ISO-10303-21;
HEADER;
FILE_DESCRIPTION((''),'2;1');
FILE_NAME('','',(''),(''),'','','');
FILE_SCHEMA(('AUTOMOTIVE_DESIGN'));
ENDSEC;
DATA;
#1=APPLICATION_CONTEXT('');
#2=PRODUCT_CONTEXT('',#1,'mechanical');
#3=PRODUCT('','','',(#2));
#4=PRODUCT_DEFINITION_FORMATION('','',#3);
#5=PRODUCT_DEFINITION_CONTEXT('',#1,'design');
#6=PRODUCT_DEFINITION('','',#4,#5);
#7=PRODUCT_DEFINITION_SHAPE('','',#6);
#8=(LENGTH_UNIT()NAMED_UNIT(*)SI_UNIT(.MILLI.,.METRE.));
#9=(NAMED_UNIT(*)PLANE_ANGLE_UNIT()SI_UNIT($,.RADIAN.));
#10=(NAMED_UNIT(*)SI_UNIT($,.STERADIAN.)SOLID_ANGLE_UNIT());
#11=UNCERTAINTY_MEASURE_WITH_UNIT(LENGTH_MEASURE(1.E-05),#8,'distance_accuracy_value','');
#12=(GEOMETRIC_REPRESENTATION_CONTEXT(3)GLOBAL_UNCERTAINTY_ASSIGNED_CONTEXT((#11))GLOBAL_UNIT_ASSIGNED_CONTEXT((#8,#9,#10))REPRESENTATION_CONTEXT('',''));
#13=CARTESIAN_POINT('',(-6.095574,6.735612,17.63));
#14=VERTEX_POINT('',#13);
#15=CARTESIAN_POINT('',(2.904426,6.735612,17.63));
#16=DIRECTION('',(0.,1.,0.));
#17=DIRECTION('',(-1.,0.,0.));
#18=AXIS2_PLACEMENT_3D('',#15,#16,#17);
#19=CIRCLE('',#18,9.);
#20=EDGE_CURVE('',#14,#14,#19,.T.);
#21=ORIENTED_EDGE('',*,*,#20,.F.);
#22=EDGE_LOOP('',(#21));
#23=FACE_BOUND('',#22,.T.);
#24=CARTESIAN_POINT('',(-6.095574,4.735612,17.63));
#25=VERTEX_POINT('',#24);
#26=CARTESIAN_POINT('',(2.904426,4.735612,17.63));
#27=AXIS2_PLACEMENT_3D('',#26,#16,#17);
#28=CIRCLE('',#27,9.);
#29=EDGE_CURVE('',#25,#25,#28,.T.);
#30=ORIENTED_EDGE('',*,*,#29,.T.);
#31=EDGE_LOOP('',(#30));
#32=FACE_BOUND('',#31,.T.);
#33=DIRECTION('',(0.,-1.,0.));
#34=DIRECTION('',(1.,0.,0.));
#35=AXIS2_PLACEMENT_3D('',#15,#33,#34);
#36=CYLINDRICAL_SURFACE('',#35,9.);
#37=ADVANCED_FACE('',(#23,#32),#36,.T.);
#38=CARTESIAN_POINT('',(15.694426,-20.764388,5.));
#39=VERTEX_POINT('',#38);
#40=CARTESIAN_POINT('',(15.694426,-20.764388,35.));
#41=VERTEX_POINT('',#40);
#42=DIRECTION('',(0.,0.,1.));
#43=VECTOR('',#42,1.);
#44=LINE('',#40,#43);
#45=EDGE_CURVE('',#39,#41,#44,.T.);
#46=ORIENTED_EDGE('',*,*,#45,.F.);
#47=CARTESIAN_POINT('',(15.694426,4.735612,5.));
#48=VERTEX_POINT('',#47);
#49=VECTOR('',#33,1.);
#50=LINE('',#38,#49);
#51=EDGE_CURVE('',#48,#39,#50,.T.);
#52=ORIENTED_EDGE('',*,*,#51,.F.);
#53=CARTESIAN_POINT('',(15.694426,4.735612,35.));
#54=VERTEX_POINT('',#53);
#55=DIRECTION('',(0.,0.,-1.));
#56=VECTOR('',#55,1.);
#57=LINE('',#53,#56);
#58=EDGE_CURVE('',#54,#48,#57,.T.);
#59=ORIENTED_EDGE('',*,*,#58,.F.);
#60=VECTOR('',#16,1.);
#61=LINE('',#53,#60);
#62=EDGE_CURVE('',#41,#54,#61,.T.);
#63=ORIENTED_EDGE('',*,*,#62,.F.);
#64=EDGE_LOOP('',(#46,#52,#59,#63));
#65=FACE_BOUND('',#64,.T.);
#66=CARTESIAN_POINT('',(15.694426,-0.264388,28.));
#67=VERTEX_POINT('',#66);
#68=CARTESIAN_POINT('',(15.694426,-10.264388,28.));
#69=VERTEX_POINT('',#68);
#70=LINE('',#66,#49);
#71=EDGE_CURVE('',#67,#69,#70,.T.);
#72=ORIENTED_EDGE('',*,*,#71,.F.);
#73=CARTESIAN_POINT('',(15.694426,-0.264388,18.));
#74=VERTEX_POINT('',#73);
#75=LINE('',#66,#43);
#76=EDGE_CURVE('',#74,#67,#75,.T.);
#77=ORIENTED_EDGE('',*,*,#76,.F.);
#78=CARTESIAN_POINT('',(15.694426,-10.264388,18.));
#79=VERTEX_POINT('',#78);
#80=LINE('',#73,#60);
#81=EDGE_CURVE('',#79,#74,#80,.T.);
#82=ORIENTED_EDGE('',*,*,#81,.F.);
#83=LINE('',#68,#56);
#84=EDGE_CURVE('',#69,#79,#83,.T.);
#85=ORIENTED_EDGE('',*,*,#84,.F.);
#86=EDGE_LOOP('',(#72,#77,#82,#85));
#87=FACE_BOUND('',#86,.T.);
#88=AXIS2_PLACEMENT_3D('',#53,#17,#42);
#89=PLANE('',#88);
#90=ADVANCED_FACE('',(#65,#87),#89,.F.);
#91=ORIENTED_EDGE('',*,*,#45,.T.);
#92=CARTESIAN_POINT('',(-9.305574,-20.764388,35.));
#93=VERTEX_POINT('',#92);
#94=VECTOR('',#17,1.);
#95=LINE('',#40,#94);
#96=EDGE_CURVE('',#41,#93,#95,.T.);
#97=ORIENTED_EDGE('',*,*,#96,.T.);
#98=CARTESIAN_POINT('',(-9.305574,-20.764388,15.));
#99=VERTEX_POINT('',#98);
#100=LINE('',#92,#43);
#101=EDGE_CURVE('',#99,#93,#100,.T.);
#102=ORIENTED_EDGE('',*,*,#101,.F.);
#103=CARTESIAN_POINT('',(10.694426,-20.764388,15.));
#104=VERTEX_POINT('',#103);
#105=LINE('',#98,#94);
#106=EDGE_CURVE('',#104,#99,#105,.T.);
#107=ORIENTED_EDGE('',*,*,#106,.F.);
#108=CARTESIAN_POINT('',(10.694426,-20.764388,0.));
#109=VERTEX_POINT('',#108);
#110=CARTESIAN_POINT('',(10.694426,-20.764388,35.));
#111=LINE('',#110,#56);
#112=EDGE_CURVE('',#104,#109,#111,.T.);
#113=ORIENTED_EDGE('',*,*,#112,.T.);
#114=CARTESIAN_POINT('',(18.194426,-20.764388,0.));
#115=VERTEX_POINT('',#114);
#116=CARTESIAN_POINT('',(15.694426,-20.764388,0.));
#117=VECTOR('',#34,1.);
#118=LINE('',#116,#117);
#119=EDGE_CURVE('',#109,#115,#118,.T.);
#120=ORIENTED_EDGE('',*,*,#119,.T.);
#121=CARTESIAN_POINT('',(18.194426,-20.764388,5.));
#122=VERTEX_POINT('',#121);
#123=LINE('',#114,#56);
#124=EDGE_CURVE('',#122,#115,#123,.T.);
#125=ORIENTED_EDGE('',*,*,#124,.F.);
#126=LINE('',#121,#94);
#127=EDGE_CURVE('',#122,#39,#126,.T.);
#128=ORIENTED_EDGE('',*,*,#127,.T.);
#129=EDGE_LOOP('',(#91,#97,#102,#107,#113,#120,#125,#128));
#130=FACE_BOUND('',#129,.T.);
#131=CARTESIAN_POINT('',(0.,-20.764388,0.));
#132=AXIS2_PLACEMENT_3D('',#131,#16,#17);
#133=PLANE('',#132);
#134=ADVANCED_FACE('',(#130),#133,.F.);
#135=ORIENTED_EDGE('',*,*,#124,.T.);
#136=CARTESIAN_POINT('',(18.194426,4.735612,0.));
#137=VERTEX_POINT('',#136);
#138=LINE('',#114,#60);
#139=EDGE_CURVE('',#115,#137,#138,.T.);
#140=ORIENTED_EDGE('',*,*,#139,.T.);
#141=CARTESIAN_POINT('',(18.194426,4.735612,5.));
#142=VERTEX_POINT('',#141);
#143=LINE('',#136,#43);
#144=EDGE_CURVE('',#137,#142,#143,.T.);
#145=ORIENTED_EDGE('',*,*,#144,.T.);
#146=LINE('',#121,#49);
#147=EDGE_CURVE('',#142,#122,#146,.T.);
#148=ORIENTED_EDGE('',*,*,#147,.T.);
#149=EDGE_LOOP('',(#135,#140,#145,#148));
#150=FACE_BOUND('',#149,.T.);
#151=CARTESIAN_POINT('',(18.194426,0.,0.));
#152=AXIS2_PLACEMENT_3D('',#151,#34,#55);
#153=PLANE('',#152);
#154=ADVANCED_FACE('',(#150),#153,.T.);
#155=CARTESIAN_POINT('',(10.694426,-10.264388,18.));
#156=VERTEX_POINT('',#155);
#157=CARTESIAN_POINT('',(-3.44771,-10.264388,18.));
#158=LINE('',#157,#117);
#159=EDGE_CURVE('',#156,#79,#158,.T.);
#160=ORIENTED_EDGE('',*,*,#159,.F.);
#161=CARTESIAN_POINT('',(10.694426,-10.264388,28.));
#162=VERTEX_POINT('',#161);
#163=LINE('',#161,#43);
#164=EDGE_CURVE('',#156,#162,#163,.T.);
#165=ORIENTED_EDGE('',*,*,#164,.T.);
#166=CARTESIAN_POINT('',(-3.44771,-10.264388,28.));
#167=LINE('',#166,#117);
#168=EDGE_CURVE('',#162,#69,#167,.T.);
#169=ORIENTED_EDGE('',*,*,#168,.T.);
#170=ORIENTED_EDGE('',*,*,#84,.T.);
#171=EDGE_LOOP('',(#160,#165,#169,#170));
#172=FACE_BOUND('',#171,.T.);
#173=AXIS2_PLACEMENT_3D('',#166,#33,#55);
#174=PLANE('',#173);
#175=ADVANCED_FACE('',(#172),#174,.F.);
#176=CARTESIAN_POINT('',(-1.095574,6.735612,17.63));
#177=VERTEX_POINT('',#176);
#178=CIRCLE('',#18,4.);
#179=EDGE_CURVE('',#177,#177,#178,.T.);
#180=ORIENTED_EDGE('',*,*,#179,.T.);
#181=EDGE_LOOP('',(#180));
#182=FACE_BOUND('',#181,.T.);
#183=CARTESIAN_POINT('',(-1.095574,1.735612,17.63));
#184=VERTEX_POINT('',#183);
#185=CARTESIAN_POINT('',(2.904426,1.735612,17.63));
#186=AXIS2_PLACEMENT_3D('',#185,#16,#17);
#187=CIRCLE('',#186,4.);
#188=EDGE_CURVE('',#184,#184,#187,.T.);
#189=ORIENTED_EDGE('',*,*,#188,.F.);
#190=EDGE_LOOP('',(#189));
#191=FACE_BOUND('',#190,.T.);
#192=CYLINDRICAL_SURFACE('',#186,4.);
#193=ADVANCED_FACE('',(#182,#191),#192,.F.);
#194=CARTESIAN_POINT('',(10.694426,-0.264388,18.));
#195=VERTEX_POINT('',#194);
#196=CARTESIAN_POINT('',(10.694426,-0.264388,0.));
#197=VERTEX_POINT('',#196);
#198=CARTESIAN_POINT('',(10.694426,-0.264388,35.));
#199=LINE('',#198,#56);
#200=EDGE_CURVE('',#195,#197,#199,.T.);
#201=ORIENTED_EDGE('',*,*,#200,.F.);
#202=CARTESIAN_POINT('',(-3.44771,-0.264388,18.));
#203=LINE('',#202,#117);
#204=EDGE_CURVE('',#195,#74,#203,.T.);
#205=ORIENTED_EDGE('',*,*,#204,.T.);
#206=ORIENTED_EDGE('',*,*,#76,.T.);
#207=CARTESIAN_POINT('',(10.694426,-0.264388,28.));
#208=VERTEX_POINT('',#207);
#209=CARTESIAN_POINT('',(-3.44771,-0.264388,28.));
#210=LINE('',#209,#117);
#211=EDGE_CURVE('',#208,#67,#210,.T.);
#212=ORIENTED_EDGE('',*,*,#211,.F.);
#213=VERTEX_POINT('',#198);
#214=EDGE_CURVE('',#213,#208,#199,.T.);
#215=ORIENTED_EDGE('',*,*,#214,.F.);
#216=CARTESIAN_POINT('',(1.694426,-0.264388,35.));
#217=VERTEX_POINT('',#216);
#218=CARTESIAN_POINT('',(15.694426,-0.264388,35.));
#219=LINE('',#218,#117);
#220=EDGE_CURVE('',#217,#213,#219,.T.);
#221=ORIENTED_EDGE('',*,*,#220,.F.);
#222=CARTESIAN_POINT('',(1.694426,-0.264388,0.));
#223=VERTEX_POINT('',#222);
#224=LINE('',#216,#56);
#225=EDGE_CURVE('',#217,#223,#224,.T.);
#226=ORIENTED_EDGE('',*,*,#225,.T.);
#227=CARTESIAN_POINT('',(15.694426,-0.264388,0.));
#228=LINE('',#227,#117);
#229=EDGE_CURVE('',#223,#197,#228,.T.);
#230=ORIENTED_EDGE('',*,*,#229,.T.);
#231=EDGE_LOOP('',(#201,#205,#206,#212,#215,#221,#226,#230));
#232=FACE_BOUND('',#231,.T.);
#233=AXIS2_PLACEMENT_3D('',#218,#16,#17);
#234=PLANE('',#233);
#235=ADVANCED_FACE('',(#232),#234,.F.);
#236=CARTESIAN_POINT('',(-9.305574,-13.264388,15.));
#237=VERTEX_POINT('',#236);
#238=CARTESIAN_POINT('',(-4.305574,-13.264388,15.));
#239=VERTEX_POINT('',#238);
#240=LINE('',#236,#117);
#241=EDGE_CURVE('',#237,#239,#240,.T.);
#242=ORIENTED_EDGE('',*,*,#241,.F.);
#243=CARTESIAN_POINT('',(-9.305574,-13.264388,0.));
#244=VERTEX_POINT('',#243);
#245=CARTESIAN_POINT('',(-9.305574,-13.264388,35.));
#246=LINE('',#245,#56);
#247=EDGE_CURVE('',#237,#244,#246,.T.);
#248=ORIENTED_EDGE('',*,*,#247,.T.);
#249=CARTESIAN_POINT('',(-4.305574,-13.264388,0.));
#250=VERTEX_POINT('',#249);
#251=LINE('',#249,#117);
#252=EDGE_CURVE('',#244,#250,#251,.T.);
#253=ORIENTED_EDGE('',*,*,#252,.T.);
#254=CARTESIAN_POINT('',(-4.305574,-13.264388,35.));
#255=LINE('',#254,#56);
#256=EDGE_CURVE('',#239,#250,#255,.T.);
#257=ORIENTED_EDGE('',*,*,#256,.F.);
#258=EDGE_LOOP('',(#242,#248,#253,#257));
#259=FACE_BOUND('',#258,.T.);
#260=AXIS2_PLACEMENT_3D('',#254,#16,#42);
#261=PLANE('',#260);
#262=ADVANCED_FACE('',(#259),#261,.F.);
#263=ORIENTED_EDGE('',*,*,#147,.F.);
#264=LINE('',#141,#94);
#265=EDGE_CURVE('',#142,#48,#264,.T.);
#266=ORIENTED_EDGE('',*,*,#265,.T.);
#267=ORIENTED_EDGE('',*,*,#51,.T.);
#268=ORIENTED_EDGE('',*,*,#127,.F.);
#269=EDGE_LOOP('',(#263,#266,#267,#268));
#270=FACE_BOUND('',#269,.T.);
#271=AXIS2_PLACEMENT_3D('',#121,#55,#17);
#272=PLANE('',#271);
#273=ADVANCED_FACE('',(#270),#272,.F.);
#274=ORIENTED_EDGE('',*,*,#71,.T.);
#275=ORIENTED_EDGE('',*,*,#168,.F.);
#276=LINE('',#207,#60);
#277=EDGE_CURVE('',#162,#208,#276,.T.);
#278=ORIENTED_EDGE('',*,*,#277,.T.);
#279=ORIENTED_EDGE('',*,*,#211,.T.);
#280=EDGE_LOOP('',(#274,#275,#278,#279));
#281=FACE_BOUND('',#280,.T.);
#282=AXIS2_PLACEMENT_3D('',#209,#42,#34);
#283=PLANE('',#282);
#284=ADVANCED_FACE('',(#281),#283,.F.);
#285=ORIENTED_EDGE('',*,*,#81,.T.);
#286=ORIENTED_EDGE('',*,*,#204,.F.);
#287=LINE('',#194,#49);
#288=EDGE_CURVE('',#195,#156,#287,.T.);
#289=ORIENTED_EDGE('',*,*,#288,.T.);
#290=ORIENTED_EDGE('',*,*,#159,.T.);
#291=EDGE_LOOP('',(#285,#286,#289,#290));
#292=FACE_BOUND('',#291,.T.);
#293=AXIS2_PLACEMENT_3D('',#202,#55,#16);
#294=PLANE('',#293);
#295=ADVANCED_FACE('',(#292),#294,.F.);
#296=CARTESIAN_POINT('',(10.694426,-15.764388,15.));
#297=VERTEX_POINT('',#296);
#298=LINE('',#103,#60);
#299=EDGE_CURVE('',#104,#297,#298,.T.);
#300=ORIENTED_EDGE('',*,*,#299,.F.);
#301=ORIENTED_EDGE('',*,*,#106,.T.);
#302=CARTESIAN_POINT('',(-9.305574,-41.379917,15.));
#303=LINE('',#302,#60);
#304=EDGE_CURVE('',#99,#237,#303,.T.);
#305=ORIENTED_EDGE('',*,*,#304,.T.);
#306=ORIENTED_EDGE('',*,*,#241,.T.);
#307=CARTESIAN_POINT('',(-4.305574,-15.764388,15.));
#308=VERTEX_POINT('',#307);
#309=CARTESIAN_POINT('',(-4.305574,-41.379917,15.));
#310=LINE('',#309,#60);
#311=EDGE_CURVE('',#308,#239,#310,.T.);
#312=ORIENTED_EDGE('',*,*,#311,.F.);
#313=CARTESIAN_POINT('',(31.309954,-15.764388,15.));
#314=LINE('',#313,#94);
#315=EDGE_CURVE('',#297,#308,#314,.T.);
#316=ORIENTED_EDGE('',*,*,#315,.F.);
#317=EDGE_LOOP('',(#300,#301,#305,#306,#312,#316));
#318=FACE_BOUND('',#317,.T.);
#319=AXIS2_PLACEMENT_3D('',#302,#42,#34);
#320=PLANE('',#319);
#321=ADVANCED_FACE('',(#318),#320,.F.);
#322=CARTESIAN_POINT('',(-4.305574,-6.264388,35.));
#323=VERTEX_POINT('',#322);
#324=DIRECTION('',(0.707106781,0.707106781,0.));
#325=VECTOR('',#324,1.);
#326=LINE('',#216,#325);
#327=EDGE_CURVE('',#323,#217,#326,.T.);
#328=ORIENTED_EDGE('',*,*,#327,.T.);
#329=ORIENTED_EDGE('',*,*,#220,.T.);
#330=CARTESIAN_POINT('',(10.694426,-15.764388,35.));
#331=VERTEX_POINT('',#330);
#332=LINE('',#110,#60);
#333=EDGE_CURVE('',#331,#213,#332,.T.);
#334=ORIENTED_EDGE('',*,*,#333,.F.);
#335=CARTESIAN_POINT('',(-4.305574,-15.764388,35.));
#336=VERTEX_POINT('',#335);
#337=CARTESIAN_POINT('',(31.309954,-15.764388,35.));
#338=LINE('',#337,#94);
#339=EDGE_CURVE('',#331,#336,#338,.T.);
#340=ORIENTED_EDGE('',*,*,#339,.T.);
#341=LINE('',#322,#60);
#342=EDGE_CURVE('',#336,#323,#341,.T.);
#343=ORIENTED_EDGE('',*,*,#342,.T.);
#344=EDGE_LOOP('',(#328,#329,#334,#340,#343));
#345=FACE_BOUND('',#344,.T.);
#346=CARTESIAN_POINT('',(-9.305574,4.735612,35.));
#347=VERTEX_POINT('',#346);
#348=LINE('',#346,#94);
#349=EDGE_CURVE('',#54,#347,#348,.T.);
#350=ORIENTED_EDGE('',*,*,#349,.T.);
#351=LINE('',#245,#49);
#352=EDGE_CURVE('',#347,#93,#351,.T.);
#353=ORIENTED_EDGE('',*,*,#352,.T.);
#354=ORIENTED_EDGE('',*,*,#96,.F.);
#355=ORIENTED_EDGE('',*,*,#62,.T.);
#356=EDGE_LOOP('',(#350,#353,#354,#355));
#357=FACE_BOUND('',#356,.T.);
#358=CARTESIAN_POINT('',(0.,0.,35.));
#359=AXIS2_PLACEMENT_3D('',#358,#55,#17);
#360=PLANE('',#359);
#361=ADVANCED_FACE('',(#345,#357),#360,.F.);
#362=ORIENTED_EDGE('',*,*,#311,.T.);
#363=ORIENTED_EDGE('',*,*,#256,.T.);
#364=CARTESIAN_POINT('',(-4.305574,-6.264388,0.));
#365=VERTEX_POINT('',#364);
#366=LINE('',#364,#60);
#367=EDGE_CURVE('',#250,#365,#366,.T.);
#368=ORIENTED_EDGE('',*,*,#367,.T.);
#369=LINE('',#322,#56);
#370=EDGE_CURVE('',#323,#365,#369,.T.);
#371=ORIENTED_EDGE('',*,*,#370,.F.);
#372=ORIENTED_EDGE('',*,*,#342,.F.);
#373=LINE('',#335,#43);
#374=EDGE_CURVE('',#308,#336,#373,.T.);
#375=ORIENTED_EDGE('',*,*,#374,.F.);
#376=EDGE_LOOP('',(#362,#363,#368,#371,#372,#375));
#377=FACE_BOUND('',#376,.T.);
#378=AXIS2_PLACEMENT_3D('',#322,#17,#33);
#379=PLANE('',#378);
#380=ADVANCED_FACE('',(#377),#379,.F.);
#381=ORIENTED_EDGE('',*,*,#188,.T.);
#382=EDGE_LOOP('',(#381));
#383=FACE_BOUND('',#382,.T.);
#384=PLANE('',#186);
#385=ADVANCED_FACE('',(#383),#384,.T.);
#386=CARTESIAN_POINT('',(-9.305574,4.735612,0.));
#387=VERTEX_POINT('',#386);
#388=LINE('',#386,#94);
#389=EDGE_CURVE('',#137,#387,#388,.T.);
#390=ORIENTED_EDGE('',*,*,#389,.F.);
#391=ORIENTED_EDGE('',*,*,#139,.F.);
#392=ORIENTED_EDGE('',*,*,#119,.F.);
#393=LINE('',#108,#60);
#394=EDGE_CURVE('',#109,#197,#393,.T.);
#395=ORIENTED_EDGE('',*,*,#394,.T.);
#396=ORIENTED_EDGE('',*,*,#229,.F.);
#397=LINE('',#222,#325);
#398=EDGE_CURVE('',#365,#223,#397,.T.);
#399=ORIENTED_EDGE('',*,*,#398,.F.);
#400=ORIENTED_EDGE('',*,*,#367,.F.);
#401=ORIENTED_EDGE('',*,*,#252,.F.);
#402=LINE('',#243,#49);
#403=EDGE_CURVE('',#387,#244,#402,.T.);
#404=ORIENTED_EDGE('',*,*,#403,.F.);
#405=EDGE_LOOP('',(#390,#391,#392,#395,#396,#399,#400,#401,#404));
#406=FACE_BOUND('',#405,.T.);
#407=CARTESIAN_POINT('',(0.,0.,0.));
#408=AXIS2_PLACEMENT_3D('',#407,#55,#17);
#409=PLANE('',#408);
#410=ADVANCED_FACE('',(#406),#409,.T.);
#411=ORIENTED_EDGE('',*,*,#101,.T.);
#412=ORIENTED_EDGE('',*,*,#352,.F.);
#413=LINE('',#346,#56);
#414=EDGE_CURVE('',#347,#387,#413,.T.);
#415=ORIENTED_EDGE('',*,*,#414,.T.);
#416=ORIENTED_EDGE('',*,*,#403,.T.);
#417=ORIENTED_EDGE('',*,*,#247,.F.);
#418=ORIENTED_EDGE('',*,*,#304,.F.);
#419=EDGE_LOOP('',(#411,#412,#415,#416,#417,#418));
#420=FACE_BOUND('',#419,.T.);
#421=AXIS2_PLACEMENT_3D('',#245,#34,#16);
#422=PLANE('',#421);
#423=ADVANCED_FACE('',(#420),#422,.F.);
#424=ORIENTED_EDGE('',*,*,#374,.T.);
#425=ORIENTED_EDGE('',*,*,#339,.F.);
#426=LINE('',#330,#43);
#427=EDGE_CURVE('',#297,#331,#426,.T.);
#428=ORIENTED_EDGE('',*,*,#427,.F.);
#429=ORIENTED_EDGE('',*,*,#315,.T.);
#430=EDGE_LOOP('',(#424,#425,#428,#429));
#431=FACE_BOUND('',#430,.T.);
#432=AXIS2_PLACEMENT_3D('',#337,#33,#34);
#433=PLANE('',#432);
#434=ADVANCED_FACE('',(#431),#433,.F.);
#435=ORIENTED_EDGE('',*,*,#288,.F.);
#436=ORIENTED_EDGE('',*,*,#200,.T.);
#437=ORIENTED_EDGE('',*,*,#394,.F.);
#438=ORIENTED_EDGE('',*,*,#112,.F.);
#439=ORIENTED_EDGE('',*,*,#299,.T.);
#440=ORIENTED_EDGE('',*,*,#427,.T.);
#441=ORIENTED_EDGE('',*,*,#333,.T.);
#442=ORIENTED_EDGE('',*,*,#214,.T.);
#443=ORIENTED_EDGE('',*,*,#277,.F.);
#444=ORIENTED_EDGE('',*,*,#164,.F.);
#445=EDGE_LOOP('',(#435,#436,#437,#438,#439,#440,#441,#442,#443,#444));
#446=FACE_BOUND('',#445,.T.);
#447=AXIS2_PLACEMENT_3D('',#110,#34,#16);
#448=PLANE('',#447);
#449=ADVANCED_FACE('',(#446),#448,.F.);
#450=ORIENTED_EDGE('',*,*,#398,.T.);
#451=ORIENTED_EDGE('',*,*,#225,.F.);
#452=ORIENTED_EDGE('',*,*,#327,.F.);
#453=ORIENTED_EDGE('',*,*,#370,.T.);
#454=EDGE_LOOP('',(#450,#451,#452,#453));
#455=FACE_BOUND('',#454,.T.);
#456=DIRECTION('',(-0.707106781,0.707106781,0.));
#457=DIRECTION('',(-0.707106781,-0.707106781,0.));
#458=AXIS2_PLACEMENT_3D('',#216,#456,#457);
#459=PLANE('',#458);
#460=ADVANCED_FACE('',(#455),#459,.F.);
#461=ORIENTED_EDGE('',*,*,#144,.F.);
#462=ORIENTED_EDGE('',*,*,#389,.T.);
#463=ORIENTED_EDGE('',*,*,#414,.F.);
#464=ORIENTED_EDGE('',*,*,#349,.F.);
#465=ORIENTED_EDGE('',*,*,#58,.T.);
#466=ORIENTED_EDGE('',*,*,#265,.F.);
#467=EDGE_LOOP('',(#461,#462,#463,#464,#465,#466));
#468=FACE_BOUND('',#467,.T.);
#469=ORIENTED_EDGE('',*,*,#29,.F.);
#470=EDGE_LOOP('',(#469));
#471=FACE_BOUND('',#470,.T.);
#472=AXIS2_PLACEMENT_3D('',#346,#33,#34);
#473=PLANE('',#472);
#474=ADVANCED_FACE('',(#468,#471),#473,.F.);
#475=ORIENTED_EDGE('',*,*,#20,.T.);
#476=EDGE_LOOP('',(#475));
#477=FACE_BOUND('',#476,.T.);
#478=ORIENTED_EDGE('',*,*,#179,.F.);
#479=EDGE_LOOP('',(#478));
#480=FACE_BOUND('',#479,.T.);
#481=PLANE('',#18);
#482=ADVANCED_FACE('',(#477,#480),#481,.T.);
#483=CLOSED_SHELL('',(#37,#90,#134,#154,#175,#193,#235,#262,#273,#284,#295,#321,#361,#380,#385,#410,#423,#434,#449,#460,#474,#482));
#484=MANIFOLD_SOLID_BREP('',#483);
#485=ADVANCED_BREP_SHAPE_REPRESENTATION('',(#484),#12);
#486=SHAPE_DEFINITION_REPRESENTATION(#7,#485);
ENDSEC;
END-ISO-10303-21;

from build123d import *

# Parameters (mm, degrees)
BOSS_EXTRUDE1_DEPTH = 35
SKETCH2_R           = 9
BOSS_EXTRUDE2_DEPTH = 2
SKETCH3_R           = 4
CUT_EXTRUDE1_DEPTH  = 5
SKETCH4_W           = 5
SKETCH4_H           = 35
BOSS_EXTRUDE3_DEPTH = 20.5
SKETCH6_W           = 5
SKETCH6_H           = 25.5
BOSS_EXTRUDE4_DEPTH = 2.5
SKETCH7_W           = 5
SKETCH7_H           = 20
BOSS_EXTRUDE5_DEPTH = 7.5
SKETCH8_W           = 20
SKETCH8_H           = 5
BOSS_EXTRUDE6_DEPTH = 15
SKETCH10_W          = 10
SKETCH10_H          = 10
CUT_EXTRUDE2_DEPTH  = 5


with BuildPart() as part:
    # Sketch1 → Boss-Extrude1 (new body)
    with BuildSketch(Plane.XY):
        Polygon((-9.305574102, 4.73561153), (15.694425898, 4.73561153), (15.694425898, -0.26438847), (1.694425898, -0.26438847), (-4.305574102, -6.26438847), (-4.305574102, -13.26438847), (-9.305574102, -13.26438847), align=None)
    extrude(amount=BOSS_EXTRUDE1_DEPTH)

    # Sketch2 → Boss-Extrude2 (add)
    with BuildSketch(Plane(origin=(0, 4.73561153, 0), x_dir=(1, 0, 0), z_dir=(0, 1, 0))):
        with Locations((2.904425898, -17.63)):
            Circle(SKETCH2_R)
    extrude(amount=BOSS_EXTRUDE2_DEPTH)

    # Sketch3 → Cut-Extrude1 (cut)
    with BuildSketch(Plane(origin=(0, 6.73561153, 0), x_dir=(1, 0, 0), z_dir=(0, 1, 0))):
        with Locations((2.904425898, -17.63)):
            Circle(SKETCH3_R)
    extrude(amount=-CUT_EXTRUDE1_DEPTH, mode=Mode.SUBTRACT)

    # Sketch4 → Boss-Extrude3 (add)
    with BuildSketch(Plane.XZ.offset(0.26438847)):
        with Locations((13.194425898, 17.5)):
            Rectangle(SKETCH4_W, SKETCH4_H)
    extrude(amount=BOSS_EXTRUDE3_DEPTH)

    # Sketch6 → Boss-Extrude4 (add)
    with BuildSketch(Plane(origin=(15.694425898, 0, 0), x_dir=(0, 0, -1), z_dir=(1, 0, 0))):
        with Locations((-2.5, -8.01438847)):
            Rectangle(SKETCH6_W, SKETCH6_H)
    extrude(amount=BOSS_EXTRUDE4_DEPTH)

    # Sketch7 → Boss-Extrude5 (add)
    with BuildSketch(Plane.XZ.offset(13.26438847)):
        with Locations((-6.805574102, 25)):
            Rectangle(SKETCH7_W, SKETCH7_H)
    extrude(amount=BOSS_EXTRUDE5_DEPTH)

    # Sketch8 → Boss-Extrude6 (add)
    with BuildSketch(Plane(origin=(-4.305574102, 0, 0), x_dir=(0, 0, -1), z_dir=(1, 0, 0))):
        with Locations((-25, -18.26438847)):
            Rectangle(SKETCH8_W, SKETCH8_H)
    extrude(amount=BOSS_EXTRUDE6_DEPTH)

    # Sketch10 → Cut-Extrude2 (cut)
    with BuildSketch(Plane(origin=(15.694425898, 0, 0), x_dir=(0, 0, -1), z_dir=(1, 0, 0))):
        with Locations((-23, -5.26438847)):
            Rectangle(SKETCH10_W, SKETCH10_H)
    extrude(amount=-CUT_EXTRUDE2_DEPTH, mode=Mode.SUBTRACT)


solid = part.part
